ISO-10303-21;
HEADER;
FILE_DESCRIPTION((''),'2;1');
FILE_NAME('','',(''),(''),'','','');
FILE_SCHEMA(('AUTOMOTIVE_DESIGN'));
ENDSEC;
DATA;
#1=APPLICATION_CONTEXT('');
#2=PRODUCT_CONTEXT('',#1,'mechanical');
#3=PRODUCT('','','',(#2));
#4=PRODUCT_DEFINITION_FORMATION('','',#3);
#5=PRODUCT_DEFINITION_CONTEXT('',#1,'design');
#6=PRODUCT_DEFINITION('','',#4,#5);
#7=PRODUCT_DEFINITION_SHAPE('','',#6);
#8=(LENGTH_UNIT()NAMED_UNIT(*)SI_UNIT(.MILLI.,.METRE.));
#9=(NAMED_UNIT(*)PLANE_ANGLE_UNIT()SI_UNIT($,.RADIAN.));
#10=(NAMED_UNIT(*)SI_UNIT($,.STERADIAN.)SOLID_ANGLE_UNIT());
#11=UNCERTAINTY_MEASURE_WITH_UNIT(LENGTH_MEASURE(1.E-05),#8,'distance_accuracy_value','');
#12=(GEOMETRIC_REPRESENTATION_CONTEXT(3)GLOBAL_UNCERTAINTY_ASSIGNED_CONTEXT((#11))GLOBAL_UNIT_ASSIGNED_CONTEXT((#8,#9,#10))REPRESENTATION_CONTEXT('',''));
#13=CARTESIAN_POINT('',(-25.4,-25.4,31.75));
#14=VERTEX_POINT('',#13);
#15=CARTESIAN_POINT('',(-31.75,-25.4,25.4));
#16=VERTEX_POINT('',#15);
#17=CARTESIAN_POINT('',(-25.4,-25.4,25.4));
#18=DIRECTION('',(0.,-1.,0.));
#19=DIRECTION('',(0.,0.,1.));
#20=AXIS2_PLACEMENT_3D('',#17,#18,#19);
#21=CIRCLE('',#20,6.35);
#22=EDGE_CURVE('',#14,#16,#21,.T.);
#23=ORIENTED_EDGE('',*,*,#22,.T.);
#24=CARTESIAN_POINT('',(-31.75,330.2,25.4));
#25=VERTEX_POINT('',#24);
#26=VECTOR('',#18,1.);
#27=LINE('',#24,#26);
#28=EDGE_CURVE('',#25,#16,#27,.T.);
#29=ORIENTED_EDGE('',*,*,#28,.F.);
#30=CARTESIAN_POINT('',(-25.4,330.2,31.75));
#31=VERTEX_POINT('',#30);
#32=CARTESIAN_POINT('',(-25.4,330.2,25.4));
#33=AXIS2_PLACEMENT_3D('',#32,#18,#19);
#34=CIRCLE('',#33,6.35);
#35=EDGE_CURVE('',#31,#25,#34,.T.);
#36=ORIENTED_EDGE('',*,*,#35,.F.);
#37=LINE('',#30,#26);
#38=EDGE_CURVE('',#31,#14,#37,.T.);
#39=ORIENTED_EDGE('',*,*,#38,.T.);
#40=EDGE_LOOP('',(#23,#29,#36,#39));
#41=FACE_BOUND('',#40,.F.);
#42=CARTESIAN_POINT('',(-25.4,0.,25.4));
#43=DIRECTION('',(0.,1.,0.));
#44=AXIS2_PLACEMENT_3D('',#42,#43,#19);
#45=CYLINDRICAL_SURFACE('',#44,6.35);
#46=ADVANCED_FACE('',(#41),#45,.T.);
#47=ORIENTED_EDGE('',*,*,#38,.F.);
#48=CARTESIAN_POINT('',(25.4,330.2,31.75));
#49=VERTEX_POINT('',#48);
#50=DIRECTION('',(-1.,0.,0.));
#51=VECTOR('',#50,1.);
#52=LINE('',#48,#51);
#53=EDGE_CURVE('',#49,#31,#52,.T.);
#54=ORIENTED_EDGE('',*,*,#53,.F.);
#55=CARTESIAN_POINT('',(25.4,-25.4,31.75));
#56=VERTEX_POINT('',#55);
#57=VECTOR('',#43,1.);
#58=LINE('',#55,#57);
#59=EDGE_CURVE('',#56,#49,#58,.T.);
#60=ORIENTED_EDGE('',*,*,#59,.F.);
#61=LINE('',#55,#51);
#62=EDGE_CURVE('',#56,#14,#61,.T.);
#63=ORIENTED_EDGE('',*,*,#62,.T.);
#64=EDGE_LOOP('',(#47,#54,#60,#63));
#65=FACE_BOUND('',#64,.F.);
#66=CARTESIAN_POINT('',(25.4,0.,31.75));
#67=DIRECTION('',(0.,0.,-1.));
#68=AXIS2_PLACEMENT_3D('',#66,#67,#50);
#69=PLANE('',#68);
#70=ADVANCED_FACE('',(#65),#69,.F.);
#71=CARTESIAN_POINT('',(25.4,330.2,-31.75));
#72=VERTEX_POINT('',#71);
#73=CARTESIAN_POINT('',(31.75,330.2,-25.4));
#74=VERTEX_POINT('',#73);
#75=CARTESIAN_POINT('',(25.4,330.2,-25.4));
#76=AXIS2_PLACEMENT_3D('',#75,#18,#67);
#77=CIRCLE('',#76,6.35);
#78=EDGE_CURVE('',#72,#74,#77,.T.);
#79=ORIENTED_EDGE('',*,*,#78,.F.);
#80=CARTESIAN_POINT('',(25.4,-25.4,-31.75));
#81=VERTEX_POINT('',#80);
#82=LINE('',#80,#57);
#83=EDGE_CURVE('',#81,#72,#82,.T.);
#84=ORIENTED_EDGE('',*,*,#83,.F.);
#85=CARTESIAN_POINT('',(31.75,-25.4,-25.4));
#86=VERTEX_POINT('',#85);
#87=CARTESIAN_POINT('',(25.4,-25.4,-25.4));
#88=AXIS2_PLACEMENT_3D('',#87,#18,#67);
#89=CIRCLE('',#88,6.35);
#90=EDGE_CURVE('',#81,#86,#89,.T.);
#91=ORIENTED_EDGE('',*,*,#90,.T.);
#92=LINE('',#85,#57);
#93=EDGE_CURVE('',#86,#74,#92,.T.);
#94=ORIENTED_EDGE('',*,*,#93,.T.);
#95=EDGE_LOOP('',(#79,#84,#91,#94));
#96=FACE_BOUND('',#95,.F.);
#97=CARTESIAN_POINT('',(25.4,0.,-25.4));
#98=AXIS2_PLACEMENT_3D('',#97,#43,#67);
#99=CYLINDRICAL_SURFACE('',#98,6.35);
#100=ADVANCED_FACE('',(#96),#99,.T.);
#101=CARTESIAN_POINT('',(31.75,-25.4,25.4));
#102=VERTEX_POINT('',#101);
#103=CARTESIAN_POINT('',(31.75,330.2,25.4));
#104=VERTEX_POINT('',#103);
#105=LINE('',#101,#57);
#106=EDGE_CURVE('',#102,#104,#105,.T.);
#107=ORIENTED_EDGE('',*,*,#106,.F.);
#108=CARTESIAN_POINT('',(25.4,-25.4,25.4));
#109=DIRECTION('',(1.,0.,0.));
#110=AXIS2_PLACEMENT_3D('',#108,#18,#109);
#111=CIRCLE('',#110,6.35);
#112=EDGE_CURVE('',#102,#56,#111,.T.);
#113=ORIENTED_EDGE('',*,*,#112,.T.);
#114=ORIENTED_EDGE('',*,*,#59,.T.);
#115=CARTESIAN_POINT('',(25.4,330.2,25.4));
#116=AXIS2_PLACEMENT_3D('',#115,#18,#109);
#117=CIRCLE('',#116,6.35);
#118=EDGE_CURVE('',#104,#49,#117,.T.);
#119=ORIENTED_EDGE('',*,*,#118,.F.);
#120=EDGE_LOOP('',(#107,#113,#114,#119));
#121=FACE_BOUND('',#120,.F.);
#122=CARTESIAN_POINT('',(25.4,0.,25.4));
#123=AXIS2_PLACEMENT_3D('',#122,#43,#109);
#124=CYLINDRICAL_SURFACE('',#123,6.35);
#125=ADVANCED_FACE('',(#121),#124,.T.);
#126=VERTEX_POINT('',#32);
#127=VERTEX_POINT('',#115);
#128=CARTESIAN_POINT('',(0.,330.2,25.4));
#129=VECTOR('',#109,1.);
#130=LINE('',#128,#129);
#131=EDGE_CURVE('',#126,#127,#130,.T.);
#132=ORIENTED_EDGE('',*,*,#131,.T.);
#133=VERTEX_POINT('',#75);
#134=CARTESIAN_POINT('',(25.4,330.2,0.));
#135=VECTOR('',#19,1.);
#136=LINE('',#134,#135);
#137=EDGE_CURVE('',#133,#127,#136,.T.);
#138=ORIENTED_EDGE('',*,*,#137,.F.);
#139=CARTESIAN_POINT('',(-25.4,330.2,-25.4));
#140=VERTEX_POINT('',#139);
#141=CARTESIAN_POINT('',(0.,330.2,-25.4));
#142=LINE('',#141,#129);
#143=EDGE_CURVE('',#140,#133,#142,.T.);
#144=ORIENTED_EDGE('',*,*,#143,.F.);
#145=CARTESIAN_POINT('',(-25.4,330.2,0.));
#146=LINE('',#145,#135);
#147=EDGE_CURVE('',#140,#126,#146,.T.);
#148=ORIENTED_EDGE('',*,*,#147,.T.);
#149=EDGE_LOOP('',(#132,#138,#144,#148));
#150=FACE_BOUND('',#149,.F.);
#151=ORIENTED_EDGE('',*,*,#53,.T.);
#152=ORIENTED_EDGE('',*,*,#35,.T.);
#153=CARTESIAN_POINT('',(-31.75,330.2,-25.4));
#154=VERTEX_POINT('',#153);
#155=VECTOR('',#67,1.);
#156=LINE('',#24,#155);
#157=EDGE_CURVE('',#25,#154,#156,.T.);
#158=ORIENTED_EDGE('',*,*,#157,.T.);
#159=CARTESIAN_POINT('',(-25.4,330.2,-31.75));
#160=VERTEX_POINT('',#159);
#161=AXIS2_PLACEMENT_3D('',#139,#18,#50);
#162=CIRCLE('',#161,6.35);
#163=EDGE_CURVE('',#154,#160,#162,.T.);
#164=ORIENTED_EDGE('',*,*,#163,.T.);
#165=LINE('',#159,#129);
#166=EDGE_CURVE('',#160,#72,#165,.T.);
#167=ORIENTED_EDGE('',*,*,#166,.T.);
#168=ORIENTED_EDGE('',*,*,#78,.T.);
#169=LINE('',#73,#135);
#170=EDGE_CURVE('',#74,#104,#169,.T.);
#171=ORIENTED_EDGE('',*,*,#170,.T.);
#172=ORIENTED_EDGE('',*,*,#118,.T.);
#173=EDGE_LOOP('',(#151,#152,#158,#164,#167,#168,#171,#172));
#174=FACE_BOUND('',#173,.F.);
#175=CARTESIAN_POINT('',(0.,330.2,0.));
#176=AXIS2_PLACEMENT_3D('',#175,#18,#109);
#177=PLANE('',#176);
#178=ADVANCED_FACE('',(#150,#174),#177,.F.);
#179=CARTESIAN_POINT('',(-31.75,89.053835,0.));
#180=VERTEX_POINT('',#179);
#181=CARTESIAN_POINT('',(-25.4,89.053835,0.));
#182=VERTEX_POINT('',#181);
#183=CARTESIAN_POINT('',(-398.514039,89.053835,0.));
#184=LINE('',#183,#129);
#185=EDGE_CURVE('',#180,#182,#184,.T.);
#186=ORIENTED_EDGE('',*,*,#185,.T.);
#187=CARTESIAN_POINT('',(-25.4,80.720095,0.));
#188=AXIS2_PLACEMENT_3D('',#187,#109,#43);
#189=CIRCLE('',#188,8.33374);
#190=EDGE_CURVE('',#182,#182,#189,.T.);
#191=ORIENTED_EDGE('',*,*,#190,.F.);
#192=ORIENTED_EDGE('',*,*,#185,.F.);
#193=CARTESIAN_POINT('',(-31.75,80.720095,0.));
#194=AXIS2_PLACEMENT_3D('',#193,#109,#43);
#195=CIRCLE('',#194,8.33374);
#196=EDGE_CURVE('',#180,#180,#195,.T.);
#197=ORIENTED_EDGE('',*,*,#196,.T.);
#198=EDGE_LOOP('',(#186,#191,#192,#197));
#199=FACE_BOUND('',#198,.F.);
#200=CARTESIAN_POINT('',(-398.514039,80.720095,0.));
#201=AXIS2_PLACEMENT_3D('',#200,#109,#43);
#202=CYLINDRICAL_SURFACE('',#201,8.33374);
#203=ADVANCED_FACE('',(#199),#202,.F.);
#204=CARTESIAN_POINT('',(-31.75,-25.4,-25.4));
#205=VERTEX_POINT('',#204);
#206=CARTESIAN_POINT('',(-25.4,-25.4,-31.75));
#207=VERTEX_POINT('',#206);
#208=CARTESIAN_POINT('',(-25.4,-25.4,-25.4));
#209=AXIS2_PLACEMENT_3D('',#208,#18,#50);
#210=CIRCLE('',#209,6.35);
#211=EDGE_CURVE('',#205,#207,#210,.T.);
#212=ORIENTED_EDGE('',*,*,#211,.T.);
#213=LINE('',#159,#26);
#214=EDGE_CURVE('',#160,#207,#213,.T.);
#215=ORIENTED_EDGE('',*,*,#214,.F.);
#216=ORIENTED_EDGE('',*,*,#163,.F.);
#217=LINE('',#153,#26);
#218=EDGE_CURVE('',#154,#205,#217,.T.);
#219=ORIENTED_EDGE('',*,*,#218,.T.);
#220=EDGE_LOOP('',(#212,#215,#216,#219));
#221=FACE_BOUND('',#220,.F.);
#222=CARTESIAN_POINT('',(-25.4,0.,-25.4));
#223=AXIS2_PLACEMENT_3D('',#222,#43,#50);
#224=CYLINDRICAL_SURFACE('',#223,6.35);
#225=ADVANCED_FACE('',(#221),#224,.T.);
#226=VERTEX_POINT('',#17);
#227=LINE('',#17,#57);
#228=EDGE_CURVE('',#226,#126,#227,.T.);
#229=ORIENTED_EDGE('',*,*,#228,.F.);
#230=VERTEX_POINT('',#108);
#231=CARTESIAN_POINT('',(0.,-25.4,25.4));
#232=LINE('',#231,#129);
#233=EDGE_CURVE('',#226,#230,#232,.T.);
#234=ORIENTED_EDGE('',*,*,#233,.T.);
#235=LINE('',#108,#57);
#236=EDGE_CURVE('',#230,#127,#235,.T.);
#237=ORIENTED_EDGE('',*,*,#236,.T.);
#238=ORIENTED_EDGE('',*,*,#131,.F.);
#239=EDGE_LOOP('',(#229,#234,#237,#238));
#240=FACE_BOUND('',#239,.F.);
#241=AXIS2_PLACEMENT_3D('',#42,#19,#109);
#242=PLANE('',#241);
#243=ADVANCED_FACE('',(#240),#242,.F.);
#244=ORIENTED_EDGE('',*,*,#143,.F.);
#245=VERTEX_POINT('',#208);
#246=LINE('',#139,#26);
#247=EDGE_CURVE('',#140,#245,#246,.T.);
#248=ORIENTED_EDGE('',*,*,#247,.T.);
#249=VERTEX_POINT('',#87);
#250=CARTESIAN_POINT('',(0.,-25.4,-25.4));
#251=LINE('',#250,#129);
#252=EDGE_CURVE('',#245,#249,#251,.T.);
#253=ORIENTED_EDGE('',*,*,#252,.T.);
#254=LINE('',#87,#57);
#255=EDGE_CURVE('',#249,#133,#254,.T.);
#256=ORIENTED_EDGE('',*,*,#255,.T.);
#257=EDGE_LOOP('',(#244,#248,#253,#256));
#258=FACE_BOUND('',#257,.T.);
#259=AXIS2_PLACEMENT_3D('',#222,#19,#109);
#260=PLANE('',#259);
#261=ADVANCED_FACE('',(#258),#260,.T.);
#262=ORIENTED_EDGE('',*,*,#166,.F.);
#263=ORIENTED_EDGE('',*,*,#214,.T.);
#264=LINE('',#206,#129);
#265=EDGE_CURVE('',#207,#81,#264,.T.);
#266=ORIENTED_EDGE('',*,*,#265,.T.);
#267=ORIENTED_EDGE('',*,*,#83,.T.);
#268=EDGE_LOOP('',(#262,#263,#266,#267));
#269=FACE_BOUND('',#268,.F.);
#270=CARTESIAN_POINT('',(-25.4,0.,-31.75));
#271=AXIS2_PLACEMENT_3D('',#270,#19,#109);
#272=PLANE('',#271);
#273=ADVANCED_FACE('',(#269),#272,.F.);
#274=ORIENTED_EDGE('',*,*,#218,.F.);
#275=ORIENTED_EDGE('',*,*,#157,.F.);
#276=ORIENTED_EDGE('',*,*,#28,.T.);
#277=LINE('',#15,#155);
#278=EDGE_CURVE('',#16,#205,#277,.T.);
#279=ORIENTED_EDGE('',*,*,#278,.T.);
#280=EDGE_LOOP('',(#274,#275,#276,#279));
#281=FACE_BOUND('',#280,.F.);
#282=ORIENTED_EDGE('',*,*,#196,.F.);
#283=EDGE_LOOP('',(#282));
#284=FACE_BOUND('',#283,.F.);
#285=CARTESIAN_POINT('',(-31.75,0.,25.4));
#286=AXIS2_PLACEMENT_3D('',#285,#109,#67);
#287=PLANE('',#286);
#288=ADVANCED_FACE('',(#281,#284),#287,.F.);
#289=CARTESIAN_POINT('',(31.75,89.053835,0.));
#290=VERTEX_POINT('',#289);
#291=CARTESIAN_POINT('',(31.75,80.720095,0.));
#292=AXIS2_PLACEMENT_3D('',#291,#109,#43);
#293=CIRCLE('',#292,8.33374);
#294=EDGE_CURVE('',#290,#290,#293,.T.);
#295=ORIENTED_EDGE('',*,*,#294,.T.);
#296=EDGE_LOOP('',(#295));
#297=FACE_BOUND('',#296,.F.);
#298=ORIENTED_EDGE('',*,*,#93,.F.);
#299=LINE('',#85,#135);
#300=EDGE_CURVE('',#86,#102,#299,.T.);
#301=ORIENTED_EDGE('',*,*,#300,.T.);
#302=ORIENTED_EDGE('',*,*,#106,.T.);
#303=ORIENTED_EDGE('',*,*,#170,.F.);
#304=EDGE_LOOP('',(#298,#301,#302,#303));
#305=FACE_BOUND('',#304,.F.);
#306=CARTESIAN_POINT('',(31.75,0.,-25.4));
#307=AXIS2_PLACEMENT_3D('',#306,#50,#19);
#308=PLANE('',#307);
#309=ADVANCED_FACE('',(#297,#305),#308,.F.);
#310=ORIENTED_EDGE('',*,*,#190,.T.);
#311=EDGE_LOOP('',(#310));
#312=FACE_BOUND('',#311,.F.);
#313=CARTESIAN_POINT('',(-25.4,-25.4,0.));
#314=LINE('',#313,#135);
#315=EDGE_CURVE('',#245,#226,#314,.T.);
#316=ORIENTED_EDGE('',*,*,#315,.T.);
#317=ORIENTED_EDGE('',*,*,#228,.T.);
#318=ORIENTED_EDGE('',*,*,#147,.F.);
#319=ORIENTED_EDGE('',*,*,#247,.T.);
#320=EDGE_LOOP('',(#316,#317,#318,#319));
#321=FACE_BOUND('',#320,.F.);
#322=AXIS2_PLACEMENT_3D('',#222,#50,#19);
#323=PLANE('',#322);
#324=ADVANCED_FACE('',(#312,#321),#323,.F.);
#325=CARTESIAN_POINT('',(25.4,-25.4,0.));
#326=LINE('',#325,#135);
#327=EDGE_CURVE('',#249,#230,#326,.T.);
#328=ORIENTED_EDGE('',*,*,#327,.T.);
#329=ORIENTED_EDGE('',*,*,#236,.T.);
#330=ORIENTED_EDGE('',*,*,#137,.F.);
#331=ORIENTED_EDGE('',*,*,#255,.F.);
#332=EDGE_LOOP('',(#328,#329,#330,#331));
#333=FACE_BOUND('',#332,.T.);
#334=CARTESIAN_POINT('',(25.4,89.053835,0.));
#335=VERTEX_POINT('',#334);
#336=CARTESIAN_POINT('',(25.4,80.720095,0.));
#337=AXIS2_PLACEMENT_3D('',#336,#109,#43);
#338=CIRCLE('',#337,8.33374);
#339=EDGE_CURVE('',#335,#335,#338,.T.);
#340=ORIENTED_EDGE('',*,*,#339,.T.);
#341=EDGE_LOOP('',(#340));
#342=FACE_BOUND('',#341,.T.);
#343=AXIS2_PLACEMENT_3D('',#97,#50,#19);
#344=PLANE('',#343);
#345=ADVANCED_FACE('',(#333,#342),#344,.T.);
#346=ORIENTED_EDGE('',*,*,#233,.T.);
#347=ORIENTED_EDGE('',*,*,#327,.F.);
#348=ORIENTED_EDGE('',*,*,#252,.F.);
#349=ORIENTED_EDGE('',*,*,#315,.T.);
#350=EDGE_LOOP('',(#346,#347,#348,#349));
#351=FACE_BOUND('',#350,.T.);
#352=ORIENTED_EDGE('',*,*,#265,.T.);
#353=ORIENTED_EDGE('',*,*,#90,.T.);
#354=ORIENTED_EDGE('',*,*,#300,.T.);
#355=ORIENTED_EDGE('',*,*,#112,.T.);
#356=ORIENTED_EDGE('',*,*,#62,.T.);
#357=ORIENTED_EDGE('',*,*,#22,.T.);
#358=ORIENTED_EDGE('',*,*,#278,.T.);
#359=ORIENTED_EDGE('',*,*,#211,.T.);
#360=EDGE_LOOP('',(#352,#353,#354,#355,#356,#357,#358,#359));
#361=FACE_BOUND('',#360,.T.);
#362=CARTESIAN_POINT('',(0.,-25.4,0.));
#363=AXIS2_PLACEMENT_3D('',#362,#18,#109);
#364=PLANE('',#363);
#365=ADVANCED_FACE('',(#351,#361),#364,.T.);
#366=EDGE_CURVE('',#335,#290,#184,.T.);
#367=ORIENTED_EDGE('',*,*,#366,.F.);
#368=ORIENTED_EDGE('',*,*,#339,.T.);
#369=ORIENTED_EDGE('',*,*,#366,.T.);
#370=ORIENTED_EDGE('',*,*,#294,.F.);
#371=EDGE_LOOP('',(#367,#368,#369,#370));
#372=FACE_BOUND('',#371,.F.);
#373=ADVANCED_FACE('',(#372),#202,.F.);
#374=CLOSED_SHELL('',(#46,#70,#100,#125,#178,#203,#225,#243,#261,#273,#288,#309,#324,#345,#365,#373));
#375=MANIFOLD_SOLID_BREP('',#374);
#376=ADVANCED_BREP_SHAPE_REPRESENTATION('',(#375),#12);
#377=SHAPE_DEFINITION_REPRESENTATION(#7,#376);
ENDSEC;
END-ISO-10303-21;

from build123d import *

# Parameters (mm, degrees)
F0_W     = 50.8
F0_H     = 50.8
F1_DEPTH = 330.2
F2_DEPTH = 25.4
F4_D     = 16.66748


with BuildPart() as f1:
    # F0 (on Front) → F1 (new body)
    with BuildSketch(Plane.XZ):
        with BuildLine():
            Line((25.4, 31.75), (-25.4, 31.75))
            ThreePointArc((-25.4, 31.75), (-29.8901280605, 29.8901280605), (-31.75, 25.4))
            Line((-31.75, 25.4), (-31.75, -25.4))
            ThreePointArc((-31.75, -25.4), (-29.8901280605, -29.8901280605), (-25.4, -31.75))
            Line((-25.4, -31.75), (25.4, -31.75))
            ThreePointArc((25.4, -31.75), (29.8901280605, -29.8901280605), (31.75, -25.4))
            Line((31.75, -25.4), (31.75, 25.4))
            ThreePointArc((31.75, 25.4), (29.8901280605, 29.8901280605), (25.4, 31.75))
        make_face()
        Rectangle(F0_W, F0_H, mode=Mode.SUBTRACT)
    extrude(amount=-F1_DEPTH)

    # F0 (on Front) → F2 (join)
    with BuildSketch(Plane.XZ):
        with BuildLine():
            Line((25.4, 31.75), (-25.4, 31.75))
            ThreePointArc((-25.4, 31.75), (-29.8901280605, 29.8901280605), (-31.75, 25.4))
            Line((-31.75, 25.4), (-31.75, -25.4))
            ThreePointArc((-31.75, -25.4), (-29.8901280605, -29.8901280605), (-25.4, -31.75))
            Line((-25.4, -31.75), (25.4, -31.75))
            ThreePointArc((25.4, -31.75), (29.8901280605, -29.8901280605), (31.75, -25.4))
            Line((31.75, -25.4), (31.75, 25.4))
            ThreePointArc((31.75, 25.4), (29.8901280605, 29.8901280605), (25.4, 31.75))
        make_face()
        Rectangle(F0_W, F0_H, mode=Mode.SUBTRACT)
    extrude(amount=F2_DEPTH)

    # F4 (through all)
    with Locations(Plane(origin=(-31.75, 0, 0), x_dir=(0, -1, 0), z_dir=(-1, 0, 0))):
        with Locations((-80.720094915, 0)):
            Hole(F4_D / 2)


solid = f1.part
